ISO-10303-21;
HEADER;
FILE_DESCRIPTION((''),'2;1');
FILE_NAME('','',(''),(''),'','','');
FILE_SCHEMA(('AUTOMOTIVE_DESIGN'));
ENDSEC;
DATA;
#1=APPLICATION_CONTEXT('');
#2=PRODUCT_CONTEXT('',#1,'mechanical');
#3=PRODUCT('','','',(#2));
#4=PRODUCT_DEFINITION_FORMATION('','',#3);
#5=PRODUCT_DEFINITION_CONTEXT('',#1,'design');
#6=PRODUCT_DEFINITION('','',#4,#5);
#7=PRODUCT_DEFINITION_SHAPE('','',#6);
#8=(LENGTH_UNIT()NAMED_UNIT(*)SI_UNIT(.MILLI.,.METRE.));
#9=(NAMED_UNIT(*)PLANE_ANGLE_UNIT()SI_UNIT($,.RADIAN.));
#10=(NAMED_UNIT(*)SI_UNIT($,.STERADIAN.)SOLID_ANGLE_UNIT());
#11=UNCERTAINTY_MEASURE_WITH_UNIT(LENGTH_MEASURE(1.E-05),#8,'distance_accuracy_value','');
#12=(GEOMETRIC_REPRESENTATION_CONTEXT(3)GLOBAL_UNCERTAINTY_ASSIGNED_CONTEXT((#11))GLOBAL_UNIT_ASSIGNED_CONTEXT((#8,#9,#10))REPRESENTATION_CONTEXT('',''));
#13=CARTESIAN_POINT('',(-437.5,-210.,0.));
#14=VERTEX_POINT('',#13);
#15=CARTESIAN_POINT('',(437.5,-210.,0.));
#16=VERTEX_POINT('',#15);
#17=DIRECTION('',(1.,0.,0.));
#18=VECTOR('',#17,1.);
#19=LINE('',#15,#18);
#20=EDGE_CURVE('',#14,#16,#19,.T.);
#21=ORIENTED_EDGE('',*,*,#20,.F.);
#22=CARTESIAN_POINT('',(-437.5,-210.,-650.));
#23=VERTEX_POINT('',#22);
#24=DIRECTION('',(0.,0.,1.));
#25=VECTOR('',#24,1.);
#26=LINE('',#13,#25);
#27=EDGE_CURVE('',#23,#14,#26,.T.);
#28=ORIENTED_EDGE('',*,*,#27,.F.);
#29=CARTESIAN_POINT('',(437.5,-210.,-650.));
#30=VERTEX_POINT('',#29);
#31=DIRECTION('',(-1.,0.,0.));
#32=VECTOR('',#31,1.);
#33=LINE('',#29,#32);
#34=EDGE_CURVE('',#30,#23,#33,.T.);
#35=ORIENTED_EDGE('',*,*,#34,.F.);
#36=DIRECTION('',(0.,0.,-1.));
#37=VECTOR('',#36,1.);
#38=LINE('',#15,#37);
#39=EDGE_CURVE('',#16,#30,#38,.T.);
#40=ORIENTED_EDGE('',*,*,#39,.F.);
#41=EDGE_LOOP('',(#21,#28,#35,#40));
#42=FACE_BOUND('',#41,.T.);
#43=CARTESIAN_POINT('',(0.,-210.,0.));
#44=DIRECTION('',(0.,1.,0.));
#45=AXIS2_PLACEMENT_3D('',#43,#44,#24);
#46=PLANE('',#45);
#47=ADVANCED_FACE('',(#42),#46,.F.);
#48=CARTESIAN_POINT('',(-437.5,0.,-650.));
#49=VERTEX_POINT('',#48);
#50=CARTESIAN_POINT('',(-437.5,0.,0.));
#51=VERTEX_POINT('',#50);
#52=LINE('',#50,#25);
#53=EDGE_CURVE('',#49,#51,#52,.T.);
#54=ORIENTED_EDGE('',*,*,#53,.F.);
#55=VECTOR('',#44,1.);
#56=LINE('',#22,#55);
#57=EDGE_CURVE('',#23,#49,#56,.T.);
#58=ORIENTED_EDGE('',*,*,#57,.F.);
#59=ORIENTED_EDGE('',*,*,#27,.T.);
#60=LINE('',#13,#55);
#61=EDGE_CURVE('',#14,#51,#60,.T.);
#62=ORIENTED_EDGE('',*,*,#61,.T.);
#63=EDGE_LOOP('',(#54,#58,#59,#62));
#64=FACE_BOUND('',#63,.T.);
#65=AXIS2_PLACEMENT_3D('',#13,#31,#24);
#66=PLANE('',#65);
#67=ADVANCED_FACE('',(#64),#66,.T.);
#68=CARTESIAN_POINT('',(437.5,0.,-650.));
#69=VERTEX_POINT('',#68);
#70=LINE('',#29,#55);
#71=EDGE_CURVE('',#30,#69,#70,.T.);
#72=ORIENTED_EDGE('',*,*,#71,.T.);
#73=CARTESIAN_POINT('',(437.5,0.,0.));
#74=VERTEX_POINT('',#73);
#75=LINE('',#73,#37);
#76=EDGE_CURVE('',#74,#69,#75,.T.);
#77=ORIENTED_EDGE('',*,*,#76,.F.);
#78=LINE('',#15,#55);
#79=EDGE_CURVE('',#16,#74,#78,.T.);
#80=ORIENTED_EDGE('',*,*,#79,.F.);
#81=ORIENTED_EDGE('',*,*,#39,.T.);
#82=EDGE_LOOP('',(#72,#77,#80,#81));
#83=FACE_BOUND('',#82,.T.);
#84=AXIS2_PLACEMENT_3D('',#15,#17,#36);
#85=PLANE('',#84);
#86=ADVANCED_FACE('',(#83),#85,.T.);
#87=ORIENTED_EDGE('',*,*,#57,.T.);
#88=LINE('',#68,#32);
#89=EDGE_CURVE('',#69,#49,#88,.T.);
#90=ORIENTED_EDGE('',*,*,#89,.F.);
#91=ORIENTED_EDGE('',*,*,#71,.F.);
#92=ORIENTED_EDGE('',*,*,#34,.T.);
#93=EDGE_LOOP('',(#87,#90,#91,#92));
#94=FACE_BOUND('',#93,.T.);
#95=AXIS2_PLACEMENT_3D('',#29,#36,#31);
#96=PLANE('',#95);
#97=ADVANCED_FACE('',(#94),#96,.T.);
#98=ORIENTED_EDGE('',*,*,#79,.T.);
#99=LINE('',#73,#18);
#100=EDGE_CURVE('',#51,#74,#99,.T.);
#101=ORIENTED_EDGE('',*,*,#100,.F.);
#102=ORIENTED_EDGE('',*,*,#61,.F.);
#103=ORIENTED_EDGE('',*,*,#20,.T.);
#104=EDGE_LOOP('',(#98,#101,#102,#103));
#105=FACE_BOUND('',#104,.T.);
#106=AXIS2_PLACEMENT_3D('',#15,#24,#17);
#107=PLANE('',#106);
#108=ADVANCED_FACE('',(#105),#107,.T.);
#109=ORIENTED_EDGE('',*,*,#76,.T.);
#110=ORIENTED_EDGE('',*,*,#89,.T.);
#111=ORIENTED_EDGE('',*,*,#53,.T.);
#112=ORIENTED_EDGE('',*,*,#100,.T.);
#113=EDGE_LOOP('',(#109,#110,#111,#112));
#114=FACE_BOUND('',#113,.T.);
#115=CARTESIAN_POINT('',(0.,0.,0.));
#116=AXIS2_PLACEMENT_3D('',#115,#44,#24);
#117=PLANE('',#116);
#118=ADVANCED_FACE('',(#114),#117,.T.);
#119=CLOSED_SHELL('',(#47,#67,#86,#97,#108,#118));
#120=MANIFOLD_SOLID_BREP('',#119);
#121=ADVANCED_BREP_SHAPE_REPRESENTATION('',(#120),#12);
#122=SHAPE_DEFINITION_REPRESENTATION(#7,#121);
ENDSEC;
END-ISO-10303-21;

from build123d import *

# Parameters (mm, degrees)
SKETCH1_W           = 875
SKETCH1_H           = 650
BOSS_EXTRUDE1_DEPTH = 210


with BuildPart() as part:
    # Sketch1 → Boss-Extrude1 (new body)
    with BuildSketch(Plane(origin=(0, 0, 0), x_dir=(1, 0, 0), z_dir=(0, 1, 0))):
        with Locations((0, 325)):
            Rectangle(SKETCH1_W, SKETCH1_H)
    extrude(amount=-BOSS_EXTRUDE1_DEPTH)


solid = part.part
